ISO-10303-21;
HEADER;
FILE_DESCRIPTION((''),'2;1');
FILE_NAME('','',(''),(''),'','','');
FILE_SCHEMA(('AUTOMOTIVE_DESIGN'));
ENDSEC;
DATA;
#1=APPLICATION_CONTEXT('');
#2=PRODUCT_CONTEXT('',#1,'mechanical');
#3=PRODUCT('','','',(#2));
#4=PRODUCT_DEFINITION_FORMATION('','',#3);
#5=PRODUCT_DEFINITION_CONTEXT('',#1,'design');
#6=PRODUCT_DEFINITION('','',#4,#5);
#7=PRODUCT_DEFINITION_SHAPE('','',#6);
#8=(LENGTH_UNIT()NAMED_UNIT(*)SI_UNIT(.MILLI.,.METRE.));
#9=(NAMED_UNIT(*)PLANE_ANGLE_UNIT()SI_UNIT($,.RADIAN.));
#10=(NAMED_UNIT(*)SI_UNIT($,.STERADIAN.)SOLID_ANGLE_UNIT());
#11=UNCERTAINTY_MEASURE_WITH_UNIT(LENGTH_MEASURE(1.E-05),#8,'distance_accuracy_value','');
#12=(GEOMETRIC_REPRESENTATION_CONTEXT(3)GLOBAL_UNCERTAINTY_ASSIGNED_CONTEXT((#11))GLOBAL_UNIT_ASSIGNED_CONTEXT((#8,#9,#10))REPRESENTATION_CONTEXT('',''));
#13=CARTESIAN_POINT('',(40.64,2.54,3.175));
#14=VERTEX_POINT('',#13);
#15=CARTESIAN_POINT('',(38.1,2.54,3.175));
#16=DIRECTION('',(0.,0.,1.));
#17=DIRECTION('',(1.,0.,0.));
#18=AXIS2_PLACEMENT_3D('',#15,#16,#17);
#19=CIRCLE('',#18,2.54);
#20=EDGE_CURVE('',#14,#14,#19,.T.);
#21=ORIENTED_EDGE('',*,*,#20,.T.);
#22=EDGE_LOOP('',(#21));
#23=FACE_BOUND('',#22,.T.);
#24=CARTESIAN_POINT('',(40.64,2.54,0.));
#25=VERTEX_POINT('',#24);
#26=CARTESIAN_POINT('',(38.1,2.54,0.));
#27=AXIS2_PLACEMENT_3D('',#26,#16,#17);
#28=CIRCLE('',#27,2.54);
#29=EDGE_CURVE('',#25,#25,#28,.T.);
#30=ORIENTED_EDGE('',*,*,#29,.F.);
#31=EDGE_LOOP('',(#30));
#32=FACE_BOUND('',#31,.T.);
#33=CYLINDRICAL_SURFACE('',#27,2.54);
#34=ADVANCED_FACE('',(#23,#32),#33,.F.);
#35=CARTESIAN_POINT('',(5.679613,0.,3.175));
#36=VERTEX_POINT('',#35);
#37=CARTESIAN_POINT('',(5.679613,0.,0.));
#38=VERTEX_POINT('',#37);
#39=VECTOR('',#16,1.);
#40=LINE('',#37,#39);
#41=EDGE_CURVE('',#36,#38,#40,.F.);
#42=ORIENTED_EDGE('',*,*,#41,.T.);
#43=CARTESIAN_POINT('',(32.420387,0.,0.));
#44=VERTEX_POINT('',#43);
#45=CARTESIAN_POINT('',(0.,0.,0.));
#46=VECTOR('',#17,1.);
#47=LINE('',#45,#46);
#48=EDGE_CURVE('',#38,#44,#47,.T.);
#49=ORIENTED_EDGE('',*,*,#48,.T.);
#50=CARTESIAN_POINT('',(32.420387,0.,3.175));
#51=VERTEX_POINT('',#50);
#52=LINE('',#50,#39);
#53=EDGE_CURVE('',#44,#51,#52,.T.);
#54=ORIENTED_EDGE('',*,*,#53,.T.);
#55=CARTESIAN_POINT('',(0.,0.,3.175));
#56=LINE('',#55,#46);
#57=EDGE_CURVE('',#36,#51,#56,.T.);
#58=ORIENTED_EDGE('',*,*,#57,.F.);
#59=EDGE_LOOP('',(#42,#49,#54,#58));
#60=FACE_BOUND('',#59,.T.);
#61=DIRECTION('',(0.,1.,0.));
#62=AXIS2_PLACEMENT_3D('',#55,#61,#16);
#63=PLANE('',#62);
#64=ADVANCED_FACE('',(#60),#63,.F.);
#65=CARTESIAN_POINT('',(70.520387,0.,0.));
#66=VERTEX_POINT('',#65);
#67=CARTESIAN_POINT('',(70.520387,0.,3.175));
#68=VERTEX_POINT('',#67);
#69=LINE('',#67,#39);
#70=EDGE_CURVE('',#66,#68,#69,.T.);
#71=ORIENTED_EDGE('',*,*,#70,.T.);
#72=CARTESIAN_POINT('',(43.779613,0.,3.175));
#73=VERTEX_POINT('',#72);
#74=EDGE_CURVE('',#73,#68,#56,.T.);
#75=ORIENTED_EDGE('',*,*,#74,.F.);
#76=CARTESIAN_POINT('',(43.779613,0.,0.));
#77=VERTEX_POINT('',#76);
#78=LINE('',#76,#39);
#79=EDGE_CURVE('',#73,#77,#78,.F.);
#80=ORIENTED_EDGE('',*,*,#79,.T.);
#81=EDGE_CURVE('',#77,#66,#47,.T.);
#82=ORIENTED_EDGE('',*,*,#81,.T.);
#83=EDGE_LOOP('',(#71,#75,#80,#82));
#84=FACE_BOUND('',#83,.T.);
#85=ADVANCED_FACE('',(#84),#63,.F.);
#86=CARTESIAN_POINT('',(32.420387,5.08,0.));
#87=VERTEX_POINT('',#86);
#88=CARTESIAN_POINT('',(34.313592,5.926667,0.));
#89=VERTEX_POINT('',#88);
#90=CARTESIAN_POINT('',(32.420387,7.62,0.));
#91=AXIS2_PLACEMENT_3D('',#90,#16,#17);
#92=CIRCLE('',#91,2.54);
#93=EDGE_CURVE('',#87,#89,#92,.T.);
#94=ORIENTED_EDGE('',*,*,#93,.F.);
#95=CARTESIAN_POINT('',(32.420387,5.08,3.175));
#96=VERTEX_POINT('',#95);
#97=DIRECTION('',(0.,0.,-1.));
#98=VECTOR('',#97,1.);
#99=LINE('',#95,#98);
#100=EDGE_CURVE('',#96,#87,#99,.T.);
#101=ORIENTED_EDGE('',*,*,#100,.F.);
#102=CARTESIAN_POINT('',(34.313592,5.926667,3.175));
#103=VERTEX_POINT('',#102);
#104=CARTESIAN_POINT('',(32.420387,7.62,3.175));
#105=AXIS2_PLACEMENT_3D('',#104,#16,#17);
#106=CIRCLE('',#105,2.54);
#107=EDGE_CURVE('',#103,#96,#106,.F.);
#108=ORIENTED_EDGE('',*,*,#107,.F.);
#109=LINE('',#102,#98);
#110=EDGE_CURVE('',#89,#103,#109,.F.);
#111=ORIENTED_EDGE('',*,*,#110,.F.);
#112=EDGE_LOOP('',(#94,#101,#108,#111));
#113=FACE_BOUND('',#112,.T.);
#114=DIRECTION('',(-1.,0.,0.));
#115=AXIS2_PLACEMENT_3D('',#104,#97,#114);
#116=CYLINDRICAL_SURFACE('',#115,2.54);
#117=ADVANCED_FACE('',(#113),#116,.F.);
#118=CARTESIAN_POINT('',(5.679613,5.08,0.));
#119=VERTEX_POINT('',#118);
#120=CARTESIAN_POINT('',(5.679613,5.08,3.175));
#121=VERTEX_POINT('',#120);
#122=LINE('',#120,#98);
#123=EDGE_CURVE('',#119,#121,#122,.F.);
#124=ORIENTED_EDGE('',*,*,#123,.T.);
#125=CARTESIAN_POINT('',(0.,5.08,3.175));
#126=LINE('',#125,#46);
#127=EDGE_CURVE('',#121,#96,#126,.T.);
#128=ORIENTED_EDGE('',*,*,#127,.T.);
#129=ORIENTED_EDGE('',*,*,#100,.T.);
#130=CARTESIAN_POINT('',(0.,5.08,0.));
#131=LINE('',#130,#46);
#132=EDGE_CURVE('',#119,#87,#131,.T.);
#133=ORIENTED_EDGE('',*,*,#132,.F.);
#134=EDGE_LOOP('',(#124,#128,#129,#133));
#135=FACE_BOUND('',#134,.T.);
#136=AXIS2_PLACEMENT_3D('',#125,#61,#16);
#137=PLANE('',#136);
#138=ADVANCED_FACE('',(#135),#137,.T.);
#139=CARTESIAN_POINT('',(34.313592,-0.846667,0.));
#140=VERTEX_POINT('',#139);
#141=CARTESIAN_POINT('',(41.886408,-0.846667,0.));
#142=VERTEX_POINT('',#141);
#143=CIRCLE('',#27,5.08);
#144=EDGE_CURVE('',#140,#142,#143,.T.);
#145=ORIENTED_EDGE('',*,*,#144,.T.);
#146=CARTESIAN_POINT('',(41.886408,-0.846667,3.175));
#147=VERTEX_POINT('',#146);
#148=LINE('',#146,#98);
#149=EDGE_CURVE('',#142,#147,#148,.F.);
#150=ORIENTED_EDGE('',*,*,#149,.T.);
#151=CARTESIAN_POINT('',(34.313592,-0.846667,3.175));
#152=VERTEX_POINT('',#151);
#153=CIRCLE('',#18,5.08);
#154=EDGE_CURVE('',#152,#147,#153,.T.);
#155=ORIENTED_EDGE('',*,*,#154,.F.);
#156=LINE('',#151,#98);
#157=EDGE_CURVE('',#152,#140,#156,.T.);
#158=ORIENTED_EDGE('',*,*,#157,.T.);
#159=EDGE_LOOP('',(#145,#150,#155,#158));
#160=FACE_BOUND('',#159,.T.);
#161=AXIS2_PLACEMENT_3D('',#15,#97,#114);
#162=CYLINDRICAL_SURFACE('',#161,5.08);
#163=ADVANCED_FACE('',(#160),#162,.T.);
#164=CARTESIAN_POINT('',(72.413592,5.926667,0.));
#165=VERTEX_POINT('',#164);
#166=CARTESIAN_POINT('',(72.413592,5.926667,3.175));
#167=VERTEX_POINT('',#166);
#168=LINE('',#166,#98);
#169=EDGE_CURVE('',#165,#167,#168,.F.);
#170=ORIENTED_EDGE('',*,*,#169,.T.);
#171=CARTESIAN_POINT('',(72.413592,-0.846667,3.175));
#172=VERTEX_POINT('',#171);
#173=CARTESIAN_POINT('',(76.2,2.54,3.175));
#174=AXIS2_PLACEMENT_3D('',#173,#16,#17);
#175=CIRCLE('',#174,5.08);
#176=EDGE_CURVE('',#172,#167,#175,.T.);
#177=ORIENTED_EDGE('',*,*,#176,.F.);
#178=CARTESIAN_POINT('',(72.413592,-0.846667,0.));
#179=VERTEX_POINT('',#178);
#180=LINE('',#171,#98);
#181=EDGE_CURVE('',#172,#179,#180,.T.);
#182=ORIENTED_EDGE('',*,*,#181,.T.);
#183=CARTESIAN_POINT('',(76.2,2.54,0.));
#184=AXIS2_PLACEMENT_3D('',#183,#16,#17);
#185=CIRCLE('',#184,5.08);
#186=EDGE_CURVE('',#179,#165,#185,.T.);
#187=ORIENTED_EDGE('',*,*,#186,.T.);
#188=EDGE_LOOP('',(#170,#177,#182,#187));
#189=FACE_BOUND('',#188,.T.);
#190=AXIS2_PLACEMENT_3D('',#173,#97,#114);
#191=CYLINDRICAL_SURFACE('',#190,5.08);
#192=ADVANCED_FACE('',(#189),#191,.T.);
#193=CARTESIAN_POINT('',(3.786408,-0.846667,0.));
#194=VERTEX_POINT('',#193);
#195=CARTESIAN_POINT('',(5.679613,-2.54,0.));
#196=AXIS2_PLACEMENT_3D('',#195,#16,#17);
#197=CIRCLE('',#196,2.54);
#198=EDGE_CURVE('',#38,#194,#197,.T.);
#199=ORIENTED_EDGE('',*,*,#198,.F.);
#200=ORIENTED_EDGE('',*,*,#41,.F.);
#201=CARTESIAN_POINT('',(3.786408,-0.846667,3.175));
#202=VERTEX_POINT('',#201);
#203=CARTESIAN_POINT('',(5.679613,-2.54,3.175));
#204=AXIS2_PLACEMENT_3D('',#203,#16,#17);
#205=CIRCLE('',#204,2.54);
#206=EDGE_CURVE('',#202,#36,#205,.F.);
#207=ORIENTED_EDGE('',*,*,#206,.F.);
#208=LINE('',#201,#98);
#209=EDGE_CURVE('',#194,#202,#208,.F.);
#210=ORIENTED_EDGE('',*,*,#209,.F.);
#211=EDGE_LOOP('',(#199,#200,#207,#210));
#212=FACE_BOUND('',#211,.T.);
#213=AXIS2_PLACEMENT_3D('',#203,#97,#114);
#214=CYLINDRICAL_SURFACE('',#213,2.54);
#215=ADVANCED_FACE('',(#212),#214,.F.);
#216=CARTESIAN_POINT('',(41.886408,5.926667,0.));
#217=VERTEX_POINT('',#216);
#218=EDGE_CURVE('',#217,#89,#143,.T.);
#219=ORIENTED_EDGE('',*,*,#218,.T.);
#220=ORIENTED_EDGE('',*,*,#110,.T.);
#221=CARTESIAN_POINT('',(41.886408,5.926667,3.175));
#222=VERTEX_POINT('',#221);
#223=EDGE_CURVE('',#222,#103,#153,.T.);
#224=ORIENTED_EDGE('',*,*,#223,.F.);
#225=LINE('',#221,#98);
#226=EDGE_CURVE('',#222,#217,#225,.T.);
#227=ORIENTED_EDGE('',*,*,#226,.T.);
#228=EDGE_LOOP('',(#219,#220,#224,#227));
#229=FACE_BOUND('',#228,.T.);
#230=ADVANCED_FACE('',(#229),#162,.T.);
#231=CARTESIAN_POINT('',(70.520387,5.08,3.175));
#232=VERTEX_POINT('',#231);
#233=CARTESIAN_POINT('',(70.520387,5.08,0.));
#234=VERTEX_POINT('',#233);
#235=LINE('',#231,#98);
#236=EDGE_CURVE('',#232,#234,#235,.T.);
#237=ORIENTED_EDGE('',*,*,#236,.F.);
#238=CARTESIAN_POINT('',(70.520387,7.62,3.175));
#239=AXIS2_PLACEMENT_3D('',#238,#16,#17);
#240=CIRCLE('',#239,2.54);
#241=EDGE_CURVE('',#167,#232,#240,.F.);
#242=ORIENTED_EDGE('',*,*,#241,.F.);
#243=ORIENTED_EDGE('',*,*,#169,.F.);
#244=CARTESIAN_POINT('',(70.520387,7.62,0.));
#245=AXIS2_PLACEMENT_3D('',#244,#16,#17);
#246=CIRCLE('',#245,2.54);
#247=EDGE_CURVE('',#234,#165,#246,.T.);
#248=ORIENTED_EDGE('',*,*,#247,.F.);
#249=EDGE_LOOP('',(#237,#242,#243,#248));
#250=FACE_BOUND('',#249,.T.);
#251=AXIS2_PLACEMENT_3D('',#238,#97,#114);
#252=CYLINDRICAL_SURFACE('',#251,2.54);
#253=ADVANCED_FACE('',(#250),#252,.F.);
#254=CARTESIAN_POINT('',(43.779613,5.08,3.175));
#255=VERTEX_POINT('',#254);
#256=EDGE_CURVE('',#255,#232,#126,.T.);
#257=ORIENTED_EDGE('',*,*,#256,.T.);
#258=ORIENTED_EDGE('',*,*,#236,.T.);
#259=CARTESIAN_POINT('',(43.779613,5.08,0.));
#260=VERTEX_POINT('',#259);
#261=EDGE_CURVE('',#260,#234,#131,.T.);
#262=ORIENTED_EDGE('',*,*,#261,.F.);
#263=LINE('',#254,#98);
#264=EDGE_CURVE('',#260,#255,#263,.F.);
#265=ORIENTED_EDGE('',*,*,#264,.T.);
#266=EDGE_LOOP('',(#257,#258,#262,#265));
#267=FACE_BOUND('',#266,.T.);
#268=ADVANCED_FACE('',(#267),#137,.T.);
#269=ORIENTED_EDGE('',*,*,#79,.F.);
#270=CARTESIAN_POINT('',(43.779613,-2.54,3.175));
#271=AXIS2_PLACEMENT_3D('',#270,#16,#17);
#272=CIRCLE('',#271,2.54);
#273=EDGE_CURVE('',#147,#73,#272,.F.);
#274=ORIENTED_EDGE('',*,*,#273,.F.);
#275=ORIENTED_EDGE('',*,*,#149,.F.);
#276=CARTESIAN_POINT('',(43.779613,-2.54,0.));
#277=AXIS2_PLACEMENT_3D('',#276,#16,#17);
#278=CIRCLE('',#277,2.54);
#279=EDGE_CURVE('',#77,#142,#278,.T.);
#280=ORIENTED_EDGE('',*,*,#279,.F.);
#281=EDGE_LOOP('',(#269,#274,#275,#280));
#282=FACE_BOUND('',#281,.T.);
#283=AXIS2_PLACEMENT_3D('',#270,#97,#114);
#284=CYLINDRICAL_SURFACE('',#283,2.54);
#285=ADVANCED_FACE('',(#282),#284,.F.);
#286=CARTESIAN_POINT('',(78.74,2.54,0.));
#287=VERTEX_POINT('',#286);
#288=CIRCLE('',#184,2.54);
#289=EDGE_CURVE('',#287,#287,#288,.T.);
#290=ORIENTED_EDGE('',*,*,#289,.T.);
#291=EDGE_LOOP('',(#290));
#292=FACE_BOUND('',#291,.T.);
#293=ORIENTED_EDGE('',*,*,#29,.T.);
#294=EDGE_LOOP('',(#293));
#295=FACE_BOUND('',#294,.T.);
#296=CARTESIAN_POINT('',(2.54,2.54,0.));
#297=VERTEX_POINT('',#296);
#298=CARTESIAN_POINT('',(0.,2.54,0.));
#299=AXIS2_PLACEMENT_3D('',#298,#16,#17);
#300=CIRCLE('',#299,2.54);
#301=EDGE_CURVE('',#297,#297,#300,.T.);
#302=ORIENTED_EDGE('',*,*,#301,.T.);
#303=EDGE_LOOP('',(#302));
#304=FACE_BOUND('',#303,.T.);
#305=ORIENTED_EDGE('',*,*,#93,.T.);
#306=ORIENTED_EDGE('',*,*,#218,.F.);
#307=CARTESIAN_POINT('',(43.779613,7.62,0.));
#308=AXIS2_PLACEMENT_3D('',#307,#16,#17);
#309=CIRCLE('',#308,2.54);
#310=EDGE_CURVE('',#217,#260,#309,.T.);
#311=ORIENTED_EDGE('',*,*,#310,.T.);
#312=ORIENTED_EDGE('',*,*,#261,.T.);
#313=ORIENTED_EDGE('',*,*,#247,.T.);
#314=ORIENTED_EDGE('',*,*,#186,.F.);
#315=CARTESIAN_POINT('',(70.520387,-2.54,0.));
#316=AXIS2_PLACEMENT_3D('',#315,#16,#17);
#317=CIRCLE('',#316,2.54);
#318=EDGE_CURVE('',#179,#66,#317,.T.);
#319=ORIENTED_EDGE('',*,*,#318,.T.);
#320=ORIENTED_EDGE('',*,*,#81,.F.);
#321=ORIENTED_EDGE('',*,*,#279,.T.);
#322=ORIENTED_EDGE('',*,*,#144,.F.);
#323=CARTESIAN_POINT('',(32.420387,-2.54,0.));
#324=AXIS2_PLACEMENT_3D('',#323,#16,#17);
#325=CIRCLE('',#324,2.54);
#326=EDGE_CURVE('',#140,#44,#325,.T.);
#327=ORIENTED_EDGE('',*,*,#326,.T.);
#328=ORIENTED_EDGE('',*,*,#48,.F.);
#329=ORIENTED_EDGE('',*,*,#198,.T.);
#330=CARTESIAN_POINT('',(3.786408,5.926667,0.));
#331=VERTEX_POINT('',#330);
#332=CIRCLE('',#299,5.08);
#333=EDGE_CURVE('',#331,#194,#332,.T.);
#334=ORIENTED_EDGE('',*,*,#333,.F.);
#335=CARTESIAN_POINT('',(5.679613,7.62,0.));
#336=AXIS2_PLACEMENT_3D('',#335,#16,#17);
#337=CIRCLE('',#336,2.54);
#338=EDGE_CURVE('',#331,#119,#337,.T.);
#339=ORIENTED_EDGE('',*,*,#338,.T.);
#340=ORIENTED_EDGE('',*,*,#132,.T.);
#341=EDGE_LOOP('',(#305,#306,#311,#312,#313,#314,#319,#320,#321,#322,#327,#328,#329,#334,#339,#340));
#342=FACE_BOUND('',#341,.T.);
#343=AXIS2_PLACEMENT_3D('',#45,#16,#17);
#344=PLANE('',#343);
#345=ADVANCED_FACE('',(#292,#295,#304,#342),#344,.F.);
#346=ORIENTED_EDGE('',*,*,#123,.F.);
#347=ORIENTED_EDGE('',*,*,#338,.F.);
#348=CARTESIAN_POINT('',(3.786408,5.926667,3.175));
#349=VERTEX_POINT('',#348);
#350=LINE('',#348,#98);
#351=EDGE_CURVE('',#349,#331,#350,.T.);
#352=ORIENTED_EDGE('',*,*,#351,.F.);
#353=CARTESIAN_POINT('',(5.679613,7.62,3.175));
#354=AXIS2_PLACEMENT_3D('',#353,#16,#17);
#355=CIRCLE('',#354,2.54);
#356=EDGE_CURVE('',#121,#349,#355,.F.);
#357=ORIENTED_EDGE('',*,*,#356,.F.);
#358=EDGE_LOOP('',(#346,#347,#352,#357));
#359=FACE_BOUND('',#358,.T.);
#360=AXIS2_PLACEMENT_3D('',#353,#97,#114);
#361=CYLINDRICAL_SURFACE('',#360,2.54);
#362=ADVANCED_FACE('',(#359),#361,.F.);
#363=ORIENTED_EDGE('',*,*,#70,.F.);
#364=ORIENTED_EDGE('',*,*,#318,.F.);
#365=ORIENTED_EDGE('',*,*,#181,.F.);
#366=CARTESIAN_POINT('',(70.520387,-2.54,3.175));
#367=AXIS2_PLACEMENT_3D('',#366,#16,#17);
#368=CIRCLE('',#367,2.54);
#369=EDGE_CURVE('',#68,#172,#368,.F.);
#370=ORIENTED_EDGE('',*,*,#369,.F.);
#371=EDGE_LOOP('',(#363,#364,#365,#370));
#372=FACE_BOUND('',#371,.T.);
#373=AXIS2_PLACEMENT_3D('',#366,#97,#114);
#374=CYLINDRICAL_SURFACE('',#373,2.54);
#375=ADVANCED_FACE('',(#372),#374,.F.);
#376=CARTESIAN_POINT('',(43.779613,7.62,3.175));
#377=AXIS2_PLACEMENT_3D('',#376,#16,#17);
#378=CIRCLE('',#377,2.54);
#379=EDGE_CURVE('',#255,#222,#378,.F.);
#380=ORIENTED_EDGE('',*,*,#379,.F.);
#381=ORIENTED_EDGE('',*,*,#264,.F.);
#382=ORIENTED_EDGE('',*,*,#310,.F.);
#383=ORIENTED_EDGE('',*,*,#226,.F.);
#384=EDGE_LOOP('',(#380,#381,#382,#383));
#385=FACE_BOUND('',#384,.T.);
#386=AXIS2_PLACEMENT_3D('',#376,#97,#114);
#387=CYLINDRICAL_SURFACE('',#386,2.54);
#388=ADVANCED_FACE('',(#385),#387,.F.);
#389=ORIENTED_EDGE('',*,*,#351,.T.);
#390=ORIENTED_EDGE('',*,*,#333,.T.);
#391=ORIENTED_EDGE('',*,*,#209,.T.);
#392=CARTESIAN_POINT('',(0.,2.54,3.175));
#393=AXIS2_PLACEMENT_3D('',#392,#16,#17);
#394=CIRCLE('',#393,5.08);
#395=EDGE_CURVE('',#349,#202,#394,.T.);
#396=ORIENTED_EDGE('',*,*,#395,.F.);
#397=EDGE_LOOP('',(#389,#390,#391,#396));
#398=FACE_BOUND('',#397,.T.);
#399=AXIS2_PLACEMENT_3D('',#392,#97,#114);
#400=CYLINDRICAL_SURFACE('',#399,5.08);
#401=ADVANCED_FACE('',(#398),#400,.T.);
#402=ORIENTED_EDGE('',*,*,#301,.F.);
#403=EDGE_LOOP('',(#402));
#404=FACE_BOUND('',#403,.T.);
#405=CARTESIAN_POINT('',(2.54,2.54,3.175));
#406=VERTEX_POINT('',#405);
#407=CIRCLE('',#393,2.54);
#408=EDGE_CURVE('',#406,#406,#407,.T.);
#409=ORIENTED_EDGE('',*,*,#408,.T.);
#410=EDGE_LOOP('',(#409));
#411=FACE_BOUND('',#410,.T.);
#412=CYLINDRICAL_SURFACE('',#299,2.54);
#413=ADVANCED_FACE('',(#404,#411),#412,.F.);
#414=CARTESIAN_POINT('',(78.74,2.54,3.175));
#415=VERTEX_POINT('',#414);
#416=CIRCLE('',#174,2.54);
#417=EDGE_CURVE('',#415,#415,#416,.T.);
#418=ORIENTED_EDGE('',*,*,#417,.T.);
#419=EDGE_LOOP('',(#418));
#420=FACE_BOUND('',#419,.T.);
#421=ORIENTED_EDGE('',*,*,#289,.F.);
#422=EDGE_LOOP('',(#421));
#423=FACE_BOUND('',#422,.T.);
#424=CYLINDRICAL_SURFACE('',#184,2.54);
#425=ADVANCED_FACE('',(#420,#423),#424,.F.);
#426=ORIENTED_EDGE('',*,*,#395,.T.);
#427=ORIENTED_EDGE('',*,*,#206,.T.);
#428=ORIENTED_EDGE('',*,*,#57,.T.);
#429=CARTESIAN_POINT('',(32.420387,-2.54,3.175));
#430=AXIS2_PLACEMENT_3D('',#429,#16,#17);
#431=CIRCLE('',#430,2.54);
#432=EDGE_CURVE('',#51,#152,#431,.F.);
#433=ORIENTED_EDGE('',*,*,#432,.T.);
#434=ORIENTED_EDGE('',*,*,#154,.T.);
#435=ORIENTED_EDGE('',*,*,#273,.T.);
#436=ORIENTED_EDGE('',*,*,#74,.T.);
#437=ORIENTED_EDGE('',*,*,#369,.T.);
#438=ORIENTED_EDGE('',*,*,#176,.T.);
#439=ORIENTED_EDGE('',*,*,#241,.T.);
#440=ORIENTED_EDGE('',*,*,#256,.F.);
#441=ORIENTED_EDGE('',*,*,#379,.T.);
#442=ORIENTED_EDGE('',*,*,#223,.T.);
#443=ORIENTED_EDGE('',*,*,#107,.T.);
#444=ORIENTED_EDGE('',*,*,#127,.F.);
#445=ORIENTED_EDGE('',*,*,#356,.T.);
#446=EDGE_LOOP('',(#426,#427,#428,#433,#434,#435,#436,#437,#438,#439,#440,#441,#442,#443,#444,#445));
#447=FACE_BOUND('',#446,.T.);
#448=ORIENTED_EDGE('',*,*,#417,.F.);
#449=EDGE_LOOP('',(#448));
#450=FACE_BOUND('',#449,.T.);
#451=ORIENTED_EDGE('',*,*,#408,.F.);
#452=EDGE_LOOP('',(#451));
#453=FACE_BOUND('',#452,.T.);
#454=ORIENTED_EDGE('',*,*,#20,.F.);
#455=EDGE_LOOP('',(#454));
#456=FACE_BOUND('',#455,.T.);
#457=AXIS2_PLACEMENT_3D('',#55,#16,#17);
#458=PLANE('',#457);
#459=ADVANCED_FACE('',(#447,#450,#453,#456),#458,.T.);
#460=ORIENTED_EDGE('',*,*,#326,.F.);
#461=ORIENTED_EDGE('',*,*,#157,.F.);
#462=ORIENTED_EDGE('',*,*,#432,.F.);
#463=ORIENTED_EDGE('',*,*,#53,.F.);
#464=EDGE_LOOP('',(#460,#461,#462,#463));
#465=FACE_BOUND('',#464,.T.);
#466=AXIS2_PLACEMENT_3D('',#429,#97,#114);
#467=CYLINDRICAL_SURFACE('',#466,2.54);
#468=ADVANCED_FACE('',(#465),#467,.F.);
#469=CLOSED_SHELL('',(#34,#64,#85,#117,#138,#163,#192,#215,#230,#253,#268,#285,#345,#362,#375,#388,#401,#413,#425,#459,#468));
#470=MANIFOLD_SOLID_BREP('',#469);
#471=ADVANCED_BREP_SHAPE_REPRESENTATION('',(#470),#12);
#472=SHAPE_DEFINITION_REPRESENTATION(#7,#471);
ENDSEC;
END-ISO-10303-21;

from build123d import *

# Parameters (mm, degrees)
SKETCH1_R               = 5.08
SKETCH1_W               = 76.2
SKETCH1_H               = 5.08
BOSS_EXTRUDE1_DEPTH     = 3.175
CUT_EXTRUDE1_DEPTH      = 82.698123754
CUT_EXTRUDE1_DEPTH_BACK = 82.698123754
SKETCH2_R               = 2.54
FILLET1_R               = 2.54


with BuildPart() as part:
    # Sketch1 → Boss-Extrude1 (new body)
    with BuildSketch(Plane.XY):
        with Locations((0, 2.54)):
            Circle(SKETCH1_R)
        with Locations((76.2, 2.54)):
            Circle(SKETCH1_R)
        with Locations((38.1, 2.54)):
            Circle(SKETCH1_R)
        with Locations((38.1, 2.54)):
            Rectangle(SKETCH1_W, SKETCH1_H)
    extrude(amount=BOSS_EXTRUDE1_DEPTH)

    # Sketch2 → Cut-Extrude1 (cut, two sides: drawn at the far end of the back side and taken through both)
    with BuildSketch(Plane.XY.offset(3.175).offset(-CUT_EXTRUDE1_DEPTH_BACK)):
        with Locations((0, 2.54)):
            Circle(SKETCH2_R)
        with Locations((76.2, 2.54)):
            Circle(SKETCH2_R)
        with Locations((38.1, 2.54)):
            Circle(SKETCH2_R)
    extrude(amount=CUT_EXTRUDE1_DEPTH + CUT_EXTRUDE1_DEPTH_BACK, mode=Mode.SUBTRACT)

    # Fillet1
    fillet1_edges = [part.edges().sort_by_distance(p)[0] for p in [
        (4.399409051, 5.08, 1.5875),
        (33.700590949, 5.08, 1.5875),
        (42.499409051, 5.08, 1.5875),
        (71.800590949, 5.08, 1.5875),
        (71.800590949, 0, 1.5875),
        (4.399409051, 0, 1.5875),
        (33.700590949, 0, 1.5875),
        (42.499409051, 0, 1.5875),
    ]]
    fillet(fillet1_edges, radius=FILLET1_R)


solid = part.part
